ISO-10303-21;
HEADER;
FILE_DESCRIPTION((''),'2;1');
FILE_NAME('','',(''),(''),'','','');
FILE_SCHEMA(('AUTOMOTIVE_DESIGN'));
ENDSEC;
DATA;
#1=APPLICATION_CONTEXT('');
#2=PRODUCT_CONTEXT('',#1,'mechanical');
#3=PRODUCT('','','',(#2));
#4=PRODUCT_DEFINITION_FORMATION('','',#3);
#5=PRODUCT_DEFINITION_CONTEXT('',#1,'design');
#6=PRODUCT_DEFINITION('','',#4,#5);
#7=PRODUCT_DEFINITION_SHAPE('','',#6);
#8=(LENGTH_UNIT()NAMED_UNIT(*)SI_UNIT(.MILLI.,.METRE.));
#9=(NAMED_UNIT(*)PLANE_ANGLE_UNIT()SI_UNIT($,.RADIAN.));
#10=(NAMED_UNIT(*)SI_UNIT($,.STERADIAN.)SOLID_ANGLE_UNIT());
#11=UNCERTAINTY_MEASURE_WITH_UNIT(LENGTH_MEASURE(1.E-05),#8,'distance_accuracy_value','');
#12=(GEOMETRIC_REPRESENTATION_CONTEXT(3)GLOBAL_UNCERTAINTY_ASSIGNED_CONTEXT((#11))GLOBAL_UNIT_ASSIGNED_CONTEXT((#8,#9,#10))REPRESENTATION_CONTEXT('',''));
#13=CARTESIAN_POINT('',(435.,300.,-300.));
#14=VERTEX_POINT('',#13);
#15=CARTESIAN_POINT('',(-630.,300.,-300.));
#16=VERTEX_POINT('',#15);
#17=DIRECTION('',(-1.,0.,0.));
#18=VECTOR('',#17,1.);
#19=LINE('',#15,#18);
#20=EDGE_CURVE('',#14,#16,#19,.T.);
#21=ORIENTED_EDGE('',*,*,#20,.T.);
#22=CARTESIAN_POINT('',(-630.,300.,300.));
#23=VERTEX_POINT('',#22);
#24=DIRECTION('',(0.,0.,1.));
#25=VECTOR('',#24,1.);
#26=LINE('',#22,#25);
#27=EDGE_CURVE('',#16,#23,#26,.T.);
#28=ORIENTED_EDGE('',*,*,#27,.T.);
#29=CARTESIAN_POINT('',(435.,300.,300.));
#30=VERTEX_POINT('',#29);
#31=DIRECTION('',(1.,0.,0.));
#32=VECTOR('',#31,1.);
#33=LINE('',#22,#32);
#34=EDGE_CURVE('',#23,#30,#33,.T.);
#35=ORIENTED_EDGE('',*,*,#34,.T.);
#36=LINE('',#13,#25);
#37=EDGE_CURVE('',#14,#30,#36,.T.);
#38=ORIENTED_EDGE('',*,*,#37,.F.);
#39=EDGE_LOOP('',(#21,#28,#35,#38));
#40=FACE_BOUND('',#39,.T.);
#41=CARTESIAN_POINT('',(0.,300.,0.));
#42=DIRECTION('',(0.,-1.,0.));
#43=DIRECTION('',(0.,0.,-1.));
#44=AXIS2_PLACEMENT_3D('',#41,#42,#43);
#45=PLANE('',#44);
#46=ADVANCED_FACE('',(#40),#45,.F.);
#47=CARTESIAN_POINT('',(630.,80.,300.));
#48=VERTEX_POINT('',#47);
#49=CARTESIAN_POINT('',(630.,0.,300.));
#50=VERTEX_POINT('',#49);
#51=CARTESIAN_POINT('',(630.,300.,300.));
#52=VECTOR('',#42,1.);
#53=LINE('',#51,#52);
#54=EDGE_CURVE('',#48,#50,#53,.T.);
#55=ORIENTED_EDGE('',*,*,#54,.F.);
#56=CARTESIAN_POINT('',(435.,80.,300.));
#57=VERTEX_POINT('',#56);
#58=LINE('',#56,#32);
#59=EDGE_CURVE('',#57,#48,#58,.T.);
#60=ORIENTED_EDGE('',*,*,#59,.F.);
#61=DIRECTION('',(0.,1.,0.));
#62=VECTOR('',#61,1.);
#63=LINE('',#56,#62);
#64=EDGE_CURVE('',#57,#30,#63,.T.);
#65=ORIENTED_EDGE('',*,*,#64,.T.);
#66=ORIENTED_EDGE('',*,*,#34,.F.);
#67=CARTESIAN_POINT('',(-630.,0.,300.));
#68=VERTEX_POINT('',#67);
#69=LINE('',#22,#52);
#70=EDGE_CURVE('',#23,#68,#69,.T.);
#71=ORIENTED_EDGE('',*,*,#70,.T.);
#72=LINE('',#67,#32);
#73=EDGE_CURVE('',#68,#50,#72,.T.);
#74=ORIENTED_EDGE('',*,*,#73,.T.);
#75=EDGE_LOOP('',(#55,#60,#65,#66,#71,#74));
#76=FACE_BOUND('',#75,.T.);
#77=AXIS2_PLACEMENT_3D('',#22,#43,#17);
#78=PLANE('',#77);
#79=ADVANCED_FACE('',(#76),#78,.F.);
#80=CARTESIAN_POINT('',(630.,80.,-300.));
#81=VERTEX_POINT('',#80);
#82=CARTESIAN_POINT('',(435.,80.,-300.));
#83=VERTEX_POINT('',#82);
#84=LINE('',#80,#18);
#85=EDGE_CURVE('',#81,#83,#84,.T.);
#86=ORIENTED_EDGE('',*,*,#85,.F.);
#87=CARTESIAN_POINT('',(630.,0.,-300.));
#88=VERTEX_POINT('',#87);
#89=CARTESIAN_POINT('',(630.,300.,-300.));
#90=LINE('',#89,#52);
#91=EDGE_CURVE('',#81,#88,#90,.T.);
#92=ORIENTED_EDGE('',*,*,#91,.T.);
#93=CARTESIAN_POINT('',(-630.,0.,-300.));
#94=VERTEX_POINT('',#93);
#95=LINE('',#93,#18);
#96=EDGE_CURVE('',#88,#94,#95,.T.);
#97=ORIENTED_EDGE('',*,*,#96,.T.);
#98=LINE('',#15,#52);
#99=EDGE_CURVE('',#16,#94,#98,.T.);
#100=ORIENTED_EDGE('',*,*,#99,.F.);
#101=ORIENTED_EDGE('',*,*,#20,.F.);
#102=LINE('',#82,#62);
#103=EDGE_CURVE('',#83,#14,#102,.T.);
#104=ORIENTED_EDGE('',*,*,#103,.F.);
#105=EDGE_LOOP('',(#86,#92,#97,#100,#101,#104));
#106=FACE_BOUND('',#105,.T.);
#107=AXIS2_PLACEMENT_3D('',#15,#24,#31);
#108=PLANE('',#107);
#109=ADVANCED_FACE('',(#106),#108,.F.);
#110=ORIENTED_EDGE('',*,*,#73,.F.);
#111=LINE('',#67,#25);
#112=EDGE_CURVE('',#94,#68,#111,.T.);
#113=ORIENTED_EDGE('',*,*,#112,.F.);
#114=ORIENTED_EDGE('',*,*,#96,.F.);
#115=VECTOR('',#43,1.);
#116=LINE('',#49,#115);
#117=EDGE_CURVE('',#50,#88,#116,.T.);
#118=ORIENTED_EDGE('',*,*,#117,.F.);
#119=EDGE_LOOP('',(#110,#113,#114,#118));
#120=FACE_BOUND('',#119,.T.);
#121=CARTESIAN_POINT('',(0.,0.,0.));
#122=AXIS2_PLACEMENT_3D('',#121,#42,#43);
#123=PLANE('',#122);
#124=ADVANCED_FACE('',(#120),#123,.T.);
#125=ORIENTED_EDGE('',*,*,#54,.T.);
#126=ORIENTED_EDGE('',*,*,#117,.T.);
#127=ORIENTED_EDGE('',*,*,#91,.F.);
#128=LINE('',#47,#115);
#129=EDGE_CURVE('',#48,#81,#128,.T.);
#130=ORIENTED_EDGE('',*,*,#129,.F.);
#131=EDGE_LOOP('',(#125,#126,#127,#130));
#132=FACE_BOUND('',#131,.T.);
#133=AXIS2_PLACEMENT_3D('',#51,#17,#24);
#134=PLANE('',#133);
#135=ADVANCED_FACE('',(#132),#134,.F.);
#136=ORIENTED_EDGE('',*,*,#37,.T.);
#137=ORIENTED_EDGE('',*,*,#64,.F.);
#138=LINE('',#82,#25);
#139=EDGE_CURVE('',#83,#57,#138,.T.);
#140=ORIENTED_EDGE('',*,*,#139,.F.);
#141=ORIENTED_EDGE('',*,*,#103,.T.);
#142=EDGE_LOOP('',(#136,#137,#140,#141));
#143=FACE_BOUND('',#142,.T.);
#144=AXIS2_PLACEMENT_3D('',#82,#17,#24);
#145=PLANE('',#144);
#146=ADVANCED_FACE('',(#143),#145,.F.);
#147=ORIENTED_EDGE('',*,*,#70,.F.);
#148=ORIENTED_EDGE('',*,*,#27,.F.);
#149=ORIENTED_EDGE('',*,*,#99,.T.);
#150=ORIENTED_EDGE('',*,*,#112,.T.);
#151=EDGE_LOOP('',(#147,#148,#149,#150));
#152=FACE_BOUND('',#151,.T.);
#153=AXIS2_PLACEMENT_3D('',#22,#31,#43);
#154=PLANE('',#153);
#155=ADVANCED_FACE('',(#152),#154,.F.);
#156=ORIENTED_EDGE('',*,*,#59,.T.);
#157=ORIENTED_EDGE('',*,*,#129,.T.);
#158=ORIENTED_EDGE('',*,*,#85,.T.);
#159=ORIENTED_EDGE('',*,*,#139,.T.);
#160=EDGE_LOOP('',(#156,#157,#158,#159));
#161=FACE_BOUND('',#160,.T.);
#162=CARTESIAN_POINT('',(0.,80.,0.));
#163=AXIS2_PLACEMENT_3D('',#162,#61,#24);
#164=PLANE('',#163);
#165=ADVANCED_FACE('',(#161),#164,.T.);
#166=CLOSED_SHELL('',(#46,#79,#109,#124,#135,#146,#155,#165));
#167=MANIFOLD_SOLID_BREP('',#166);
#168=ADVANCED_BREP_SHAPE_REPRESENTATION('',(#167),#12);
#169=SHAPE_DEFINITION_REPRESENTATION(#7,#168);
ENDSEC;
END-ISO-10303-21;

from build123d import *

# Parameters (mm, degrees)
SKETCH1_W           = 1260
SKETCH1_H           = 600
BOSS_EXTRUDE1_DEPTH = 300
SKETCH2_W           = 195
SKETCH2_H           = 600
CUT_EXTRUDE1_DEPTH  = 220


with BuildPart() as part:
    # Sketch1 → Boss-Extrude1 (new body)
    with BuildSketch(Plane(origin=(0, 0, 0), x_dir=(1, 0, 0), z_dir=(0, 1, 0))):
        Rectangle(SKETCH1_W, SKETCH1_H)
    extrude(amount=BOSS_EXTRUDE1_DEPTH)

    # Sketch2 → Cut-Extrude1 (cut)
    with BuildSketch(Plane(origin=(0, 300, 0), x_dir=(1, 0, 0), z_dir=(0, 1, 0))):
        with Locations((532.5, 0)):
            Rectangle(SKETCH2_W, SKETCH2_H)
    extrude(amount=-CUT_EXTRUDE1_DEPTH, mode=Mode.SUBTRACT)


solid = part.part
